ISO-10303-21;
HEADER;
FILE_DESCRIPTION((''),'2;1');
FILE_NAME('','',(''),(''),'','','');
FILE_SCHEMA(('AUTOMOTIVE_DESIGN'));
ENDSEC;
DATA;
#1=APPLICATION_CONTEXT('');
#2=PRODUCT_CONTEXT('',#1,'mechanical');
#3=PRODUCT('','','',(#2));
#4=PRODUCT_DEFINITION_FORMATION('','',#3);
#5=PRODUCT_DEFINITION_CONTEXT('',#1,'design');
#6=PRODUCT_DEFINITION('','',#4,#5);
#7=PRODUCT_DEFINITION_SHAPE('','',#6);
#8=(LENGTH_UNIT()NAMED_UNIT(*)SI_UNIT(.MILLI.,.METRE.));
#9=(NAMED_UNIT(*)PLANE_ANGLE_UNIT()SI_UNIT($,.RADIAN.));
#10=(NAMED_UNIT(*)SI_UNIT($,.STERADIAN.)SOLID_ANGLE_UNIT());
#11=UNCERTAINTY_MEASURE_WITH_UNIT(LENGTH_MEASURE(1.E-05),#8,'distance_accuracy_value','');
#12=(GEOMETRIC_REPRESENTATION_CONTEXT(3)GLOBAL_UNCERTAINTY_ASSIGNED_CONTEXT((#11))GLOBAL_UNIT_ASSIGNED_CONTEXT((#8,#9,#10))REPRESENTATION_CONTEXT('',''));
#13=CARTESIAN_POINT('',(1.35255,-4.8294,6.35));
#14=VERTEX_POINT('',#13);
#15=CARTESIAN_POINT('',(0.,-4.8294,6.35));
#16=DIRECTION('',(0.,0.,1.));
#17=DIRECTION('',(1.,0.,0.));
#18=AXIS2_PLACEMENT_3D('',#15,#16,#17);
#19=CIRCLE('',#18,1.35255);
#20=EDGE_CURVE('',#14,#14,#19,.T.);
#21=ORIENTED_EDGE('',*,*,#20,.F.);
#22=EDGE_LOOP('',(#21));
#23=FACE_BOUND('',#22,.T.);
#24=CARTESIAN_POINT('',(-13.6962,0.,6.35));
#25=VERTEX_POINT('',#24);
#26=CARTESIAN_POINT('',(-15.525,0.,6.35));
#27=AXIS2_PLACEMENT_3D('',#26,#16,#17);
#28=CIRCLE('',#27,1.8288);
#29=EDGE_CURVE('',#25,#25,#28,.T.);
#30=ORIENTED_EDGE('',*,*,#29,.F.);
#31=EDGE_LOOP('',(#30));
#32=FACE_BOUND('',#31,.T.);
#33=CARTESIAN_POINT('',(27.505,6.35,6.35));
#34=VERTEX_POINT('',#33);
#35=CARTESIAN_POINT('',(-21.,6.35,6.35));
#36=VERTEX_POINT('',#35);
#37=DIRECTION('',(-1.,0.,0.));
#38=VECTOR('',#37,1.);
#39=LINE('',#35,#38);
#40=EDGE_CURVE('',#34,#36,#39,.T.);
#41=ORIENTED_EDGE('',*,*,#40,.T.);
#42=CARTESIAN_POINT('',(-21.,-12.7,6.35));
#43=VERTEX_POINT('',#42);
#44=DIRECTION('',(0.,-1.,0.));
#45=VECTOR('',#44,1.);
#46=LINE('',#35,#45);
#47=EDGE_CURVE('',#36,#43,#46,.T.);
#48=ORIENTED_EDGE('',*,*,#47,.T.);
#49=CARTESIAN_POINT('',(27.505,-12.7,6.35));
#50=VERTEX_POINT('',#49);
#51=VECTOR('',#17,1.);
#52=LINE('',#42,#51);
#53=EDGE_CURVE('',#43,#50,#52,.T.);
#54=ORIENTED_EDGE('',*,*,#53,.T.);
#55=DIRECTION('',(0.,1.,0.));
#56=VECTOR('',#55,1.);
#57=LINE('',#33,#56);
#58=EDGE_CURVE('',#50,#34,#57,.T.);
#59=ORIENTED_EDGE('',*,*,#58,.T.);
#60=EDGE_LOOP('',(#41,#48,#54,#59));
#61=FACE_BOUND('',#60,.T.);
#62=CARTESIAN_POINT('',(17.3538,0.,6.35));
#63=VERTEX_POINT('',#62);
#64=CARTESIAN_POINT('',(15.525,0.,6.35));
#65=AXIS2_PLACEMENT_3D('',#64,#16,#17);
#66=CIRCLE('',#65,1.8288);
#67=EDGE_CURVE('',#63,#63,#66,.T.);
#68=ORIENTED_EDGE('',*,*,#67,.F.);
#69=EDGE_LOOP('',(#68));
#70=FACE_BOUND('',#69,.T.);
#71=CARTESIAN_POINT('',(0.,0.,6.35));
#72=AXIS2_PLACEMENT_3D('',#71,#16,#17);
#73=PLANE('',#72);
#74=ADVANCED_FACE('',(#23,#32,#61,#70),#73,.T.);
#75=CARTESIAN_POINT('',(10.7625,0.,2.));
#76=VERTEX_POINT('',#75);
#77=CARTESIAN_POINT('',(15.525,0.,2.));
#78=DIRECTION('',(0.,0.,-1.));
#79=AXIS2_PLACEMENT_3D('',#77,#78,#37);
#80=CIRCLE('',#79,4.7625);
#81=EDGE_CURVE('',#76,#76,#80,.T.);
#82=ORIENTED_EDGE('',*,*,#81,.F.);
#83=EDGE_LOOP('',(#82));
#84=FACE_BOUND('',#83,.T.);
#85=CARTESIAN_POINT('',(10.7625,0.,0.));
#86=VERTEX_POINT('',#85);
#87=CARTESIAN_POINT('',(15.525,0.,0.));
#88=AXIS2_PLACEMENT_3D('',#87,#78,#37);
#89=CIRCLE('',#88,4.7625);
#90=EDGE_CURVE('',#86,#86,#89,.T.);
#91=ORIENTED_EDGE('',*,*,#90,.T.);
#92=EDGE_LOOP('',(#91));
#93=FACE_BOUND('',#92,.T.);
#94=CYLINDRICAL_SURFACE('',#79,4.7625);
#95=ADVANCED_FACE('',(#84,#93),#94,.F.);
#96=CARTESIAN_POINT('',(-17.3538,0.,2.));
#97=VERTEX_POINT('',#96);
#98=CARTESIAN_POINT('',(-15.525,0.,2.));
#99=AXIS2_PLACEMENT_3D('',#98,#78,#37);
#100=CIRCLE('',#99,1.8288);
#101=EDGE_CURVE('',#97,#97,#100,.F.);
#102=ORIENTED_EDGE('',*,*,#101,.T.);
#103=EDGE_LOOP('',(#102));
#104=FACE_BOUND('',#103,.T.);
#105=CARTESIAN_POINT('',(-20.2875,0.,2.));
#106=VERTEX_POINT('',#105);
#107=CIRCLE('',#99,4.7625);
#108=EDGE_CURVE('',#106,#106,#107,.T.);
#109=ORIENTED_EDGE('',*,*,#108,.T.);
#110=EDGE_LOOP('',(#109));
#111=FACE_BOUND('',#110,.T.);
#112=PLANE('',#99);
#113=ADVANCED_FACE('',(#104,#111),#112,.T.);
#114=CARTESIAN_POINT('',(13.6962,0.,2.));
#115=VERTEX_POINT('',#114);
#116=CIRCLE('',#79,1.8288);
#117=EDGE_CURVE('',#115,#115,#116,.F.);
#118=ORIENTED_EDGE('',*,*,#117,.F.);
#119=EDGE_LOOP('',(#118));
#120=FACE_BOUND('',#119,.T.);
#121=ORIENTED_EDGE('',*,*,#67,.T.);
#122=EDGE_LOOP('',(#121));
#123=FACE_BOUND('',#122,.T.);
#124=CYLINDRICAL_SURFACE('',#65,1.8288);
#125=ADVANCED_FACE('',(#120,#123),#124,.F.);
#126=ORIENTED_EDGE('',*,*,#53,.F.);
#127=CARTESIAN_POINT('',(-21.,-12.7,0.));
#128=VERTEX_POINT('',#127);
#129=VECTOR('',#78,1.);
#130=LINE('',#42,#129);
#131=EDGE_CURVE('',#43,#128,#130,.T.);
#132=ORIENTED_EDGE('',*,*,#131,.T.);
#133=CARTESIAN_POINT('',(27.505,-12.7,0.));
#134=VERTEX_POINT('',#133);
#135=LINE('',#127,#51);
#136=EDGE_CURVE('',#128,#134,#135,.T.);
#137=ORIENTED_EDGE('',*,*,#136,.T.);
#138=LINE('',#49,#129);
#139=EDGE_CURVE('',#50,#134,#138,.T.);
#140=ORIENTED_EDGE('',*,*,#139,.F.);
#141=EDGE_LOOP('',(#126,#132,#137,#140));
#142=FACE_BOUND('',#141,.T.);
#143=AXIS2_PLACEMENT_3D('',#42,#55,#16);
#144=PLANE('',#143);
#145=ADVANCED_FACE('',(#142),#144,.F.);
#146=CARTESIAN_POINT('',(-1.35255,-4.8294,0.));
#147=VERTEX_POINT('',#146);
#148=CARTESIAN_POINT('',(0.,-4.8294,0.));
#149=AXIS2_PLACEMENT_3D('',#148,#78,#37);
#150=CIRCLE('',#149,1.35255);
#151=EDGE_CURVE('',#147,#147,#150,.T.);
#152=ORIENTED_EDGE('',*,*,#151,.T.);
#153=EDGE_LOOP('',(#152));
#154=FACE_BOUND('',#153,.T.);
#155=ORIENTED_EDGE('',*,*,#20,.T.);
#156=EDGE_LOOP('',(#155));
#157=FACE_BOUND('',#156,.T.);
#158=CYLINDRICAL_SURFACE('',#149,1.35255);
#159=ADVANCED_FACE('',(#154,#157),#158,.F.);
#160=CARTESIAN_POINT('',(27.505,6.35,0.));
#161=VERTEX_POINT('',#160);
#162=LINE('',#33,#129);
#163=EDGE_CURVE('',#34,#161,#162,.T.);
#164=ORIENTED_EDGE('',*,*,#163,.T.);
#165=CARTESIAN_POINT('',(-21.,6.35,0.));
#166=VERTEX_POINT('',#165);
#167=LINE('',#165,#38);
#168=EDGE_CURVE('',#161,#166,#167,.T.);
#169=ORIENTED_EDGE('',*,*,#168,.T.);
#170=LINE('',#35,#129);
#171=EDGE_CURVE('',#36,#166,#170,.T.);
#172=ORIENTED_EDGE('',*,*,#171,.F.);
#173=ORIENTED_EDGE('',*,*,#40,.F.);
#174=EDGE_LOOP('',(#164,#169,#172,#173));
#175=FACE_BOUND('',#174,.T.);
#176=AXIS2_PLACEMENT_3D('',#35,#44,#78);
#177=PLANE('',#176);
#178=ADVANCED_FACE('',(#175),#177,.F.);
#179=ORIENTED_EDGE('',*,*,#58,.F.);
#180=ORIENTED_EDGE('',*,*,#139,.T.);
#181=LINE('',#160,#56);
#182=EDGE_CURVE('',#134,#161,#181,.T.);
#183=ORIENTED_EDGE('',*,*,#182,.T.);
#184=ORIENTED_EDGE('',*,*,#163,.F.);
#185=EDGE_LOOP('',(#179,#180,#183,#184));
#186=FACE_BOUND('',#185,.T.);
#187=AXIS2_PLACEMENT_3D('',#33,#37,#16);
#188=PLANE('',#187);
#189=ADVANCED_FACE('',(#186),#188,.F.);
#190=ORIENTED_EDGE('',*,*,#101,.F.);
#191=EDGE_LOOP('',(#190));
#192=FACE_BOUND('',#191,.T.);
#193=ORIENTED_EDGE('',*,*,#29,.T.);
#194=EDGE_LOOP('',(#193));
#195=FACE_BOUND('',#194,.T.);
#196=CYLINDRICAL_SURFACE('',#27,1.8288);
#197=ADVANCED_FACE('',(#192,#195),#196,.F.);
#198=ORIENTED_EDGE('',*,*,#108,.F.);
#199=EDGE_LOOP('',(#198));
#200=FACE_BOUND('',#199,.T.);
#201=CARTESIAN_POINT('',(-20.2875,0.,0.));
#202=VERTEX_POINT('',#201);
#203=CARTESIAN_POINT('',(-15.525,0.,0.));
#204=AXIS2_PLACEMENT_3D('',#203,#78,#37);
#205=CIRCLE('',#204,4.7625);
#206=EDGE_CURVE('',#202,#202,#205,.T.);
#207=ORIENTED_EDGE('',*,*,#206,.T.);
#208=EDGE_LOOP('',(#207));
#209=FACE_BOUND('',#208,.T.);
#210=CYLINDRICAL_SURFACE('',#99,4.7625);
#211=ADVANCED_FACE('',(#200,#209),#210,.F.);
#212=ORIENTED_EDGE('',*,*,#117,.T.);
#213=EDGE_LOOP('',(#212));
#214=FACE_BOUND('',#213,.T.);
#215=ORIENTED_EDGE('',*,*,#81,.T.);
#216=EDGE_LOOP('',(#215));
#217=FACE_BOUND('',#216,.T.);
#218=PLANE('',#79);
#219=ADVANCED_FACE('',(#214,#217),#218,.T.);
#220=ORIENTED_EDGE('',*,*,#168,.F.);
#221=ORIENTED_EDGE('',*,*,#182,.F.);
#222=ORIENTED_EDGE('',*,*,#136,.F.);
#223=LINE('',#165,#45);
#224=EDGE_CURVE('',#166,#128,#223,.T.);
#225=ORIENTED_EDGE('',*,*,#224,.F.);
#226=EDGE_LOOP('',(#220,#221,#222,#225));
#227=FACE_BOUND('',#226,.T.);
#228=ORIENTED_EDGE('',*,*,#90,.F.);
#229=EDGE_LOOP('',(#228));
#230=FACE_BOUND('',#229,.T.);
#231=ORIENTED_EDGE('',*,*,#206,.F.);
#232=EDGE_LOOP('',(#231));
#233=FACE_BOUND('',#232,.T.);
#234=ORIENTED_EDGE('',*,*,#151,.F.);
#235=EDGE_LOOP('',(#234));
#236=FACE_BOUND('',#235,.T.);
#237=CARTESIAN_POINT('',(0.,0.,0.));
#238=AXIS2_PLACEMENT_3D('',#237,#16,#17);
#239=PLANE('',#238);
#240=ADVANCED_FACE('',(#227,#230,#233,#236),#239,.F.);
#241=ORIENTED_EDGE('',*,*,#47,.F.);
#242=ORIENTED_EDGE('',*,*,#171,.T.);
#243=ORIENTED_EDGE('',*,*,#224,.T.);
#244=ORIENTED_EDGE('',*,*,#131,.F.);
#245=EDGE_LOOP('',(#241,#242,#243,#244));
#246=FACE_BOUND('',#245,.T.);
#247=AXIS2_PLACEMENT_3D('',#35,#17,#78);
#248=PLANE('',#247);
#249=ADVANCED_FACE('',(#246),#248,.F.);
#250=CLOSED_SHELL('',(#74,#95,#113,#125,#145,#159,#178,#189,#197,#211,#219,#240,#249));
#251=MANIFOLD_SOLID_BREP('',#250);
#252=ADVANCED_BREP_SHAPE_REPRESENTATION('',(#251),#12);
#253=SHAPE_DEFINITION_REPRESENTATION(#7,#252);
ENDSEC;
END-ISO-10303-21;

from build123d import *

# Parameters (mm, degrees)
SKETCH1_W                 = 48.505
SKETCH1_H                 = 19.05
BOSS_EXTRUDE1_DEPTH       = 6.35
F_6_CLEARANCE_HOLE1_D     = 3.6576
F_6_CLEARANCE_HOLE1_DEPTH = 9.398
F_6_CLEARANCE_HOLE1_TIP   = 1.0988539
SKETCH4_R                 = 4.7625
CUT_EXTRUDE1_DEPTH        = 2
F_6_32_TAPPED_HOLE1_D     = 2.7051
F_6_32_TAPPED_HOLE1_DEPTH = 10.9728
F_6_32_TAPPED_HOLE1_TIP   = 0.81269403


with BuildPart() as part:
    # Sketch1 → Boss-Extrude1 (new body)
    with BuildSketch(Plane.XY):
        with Locations((3.2525, -3.175)):
            Rectangle(SKETCH1_W, SKETCH1_H)
    extrude(amount=BOSS_EXTRUDE1_DEPTH)

    # #6 Clearance Hole1
    with Locations(Plane.XY.offset(6.35)):
        with Locations((-15.525, 0), (15.525, 0)):
            Hole(F_6_CLEARANCE_HOLE1_D / 2, depth=F_6_CLEARANCE_HOLE1_DEPTH)
            with Locations((0, 0, -(F_6_CLEARANCE_HOLE1_DEPTH + F_6_CLEARANCE_HOLE1_TIP / 2))):  # 118° drill point
                Cone(0, F_6_CLEARANCE_HOLE1_D / 2, F_6_CLEARANCE_HOLE1_TIP, mode=Mode.SUBTRACT)

    # Sketch4 → Cut-Extrude1 (cut)
    with BuildSketch(Plane(origin=(0, 0, 0), x_dir=(-1, 0, 0), z_dir=(0, 0, -1))):
        with Locations((-15.525, 0)):
            Circle(SKETCH4_R)
        with Locations((15.525, 0)):
            Circle(SKETCH4_R)
    extrude(amount=-CUT_EXTRUDE1_DEPTH, mode=Mode.SUBTRACT)

    # #6-32 Tapped Hole1
    with Locations(Plane(origin=(0, 0, 0), x_dir=(-1, 0, 0), z_dir=(0, 0, -1))):
        with Locations((0, -4.8294)):
            Hole(F_6_32_TAPPED_HOLE1_D / 2, depth=F_6_32_TAPPED_HOLE1_DEPTH)
            with Locations((0, 0, -(F_6_32_TAPPED_HOLE1_DEPTH + F_6_32_TAPPED_HOLE1_TIP / 2))):  # 118° drill point
                Cone(0, F_6_32_TAPPED_HOLE1_D / 2, F_6_32_TAPPED_HOLE1_TIP, mode=Mode.SUBTRACT)


solid = part.part
